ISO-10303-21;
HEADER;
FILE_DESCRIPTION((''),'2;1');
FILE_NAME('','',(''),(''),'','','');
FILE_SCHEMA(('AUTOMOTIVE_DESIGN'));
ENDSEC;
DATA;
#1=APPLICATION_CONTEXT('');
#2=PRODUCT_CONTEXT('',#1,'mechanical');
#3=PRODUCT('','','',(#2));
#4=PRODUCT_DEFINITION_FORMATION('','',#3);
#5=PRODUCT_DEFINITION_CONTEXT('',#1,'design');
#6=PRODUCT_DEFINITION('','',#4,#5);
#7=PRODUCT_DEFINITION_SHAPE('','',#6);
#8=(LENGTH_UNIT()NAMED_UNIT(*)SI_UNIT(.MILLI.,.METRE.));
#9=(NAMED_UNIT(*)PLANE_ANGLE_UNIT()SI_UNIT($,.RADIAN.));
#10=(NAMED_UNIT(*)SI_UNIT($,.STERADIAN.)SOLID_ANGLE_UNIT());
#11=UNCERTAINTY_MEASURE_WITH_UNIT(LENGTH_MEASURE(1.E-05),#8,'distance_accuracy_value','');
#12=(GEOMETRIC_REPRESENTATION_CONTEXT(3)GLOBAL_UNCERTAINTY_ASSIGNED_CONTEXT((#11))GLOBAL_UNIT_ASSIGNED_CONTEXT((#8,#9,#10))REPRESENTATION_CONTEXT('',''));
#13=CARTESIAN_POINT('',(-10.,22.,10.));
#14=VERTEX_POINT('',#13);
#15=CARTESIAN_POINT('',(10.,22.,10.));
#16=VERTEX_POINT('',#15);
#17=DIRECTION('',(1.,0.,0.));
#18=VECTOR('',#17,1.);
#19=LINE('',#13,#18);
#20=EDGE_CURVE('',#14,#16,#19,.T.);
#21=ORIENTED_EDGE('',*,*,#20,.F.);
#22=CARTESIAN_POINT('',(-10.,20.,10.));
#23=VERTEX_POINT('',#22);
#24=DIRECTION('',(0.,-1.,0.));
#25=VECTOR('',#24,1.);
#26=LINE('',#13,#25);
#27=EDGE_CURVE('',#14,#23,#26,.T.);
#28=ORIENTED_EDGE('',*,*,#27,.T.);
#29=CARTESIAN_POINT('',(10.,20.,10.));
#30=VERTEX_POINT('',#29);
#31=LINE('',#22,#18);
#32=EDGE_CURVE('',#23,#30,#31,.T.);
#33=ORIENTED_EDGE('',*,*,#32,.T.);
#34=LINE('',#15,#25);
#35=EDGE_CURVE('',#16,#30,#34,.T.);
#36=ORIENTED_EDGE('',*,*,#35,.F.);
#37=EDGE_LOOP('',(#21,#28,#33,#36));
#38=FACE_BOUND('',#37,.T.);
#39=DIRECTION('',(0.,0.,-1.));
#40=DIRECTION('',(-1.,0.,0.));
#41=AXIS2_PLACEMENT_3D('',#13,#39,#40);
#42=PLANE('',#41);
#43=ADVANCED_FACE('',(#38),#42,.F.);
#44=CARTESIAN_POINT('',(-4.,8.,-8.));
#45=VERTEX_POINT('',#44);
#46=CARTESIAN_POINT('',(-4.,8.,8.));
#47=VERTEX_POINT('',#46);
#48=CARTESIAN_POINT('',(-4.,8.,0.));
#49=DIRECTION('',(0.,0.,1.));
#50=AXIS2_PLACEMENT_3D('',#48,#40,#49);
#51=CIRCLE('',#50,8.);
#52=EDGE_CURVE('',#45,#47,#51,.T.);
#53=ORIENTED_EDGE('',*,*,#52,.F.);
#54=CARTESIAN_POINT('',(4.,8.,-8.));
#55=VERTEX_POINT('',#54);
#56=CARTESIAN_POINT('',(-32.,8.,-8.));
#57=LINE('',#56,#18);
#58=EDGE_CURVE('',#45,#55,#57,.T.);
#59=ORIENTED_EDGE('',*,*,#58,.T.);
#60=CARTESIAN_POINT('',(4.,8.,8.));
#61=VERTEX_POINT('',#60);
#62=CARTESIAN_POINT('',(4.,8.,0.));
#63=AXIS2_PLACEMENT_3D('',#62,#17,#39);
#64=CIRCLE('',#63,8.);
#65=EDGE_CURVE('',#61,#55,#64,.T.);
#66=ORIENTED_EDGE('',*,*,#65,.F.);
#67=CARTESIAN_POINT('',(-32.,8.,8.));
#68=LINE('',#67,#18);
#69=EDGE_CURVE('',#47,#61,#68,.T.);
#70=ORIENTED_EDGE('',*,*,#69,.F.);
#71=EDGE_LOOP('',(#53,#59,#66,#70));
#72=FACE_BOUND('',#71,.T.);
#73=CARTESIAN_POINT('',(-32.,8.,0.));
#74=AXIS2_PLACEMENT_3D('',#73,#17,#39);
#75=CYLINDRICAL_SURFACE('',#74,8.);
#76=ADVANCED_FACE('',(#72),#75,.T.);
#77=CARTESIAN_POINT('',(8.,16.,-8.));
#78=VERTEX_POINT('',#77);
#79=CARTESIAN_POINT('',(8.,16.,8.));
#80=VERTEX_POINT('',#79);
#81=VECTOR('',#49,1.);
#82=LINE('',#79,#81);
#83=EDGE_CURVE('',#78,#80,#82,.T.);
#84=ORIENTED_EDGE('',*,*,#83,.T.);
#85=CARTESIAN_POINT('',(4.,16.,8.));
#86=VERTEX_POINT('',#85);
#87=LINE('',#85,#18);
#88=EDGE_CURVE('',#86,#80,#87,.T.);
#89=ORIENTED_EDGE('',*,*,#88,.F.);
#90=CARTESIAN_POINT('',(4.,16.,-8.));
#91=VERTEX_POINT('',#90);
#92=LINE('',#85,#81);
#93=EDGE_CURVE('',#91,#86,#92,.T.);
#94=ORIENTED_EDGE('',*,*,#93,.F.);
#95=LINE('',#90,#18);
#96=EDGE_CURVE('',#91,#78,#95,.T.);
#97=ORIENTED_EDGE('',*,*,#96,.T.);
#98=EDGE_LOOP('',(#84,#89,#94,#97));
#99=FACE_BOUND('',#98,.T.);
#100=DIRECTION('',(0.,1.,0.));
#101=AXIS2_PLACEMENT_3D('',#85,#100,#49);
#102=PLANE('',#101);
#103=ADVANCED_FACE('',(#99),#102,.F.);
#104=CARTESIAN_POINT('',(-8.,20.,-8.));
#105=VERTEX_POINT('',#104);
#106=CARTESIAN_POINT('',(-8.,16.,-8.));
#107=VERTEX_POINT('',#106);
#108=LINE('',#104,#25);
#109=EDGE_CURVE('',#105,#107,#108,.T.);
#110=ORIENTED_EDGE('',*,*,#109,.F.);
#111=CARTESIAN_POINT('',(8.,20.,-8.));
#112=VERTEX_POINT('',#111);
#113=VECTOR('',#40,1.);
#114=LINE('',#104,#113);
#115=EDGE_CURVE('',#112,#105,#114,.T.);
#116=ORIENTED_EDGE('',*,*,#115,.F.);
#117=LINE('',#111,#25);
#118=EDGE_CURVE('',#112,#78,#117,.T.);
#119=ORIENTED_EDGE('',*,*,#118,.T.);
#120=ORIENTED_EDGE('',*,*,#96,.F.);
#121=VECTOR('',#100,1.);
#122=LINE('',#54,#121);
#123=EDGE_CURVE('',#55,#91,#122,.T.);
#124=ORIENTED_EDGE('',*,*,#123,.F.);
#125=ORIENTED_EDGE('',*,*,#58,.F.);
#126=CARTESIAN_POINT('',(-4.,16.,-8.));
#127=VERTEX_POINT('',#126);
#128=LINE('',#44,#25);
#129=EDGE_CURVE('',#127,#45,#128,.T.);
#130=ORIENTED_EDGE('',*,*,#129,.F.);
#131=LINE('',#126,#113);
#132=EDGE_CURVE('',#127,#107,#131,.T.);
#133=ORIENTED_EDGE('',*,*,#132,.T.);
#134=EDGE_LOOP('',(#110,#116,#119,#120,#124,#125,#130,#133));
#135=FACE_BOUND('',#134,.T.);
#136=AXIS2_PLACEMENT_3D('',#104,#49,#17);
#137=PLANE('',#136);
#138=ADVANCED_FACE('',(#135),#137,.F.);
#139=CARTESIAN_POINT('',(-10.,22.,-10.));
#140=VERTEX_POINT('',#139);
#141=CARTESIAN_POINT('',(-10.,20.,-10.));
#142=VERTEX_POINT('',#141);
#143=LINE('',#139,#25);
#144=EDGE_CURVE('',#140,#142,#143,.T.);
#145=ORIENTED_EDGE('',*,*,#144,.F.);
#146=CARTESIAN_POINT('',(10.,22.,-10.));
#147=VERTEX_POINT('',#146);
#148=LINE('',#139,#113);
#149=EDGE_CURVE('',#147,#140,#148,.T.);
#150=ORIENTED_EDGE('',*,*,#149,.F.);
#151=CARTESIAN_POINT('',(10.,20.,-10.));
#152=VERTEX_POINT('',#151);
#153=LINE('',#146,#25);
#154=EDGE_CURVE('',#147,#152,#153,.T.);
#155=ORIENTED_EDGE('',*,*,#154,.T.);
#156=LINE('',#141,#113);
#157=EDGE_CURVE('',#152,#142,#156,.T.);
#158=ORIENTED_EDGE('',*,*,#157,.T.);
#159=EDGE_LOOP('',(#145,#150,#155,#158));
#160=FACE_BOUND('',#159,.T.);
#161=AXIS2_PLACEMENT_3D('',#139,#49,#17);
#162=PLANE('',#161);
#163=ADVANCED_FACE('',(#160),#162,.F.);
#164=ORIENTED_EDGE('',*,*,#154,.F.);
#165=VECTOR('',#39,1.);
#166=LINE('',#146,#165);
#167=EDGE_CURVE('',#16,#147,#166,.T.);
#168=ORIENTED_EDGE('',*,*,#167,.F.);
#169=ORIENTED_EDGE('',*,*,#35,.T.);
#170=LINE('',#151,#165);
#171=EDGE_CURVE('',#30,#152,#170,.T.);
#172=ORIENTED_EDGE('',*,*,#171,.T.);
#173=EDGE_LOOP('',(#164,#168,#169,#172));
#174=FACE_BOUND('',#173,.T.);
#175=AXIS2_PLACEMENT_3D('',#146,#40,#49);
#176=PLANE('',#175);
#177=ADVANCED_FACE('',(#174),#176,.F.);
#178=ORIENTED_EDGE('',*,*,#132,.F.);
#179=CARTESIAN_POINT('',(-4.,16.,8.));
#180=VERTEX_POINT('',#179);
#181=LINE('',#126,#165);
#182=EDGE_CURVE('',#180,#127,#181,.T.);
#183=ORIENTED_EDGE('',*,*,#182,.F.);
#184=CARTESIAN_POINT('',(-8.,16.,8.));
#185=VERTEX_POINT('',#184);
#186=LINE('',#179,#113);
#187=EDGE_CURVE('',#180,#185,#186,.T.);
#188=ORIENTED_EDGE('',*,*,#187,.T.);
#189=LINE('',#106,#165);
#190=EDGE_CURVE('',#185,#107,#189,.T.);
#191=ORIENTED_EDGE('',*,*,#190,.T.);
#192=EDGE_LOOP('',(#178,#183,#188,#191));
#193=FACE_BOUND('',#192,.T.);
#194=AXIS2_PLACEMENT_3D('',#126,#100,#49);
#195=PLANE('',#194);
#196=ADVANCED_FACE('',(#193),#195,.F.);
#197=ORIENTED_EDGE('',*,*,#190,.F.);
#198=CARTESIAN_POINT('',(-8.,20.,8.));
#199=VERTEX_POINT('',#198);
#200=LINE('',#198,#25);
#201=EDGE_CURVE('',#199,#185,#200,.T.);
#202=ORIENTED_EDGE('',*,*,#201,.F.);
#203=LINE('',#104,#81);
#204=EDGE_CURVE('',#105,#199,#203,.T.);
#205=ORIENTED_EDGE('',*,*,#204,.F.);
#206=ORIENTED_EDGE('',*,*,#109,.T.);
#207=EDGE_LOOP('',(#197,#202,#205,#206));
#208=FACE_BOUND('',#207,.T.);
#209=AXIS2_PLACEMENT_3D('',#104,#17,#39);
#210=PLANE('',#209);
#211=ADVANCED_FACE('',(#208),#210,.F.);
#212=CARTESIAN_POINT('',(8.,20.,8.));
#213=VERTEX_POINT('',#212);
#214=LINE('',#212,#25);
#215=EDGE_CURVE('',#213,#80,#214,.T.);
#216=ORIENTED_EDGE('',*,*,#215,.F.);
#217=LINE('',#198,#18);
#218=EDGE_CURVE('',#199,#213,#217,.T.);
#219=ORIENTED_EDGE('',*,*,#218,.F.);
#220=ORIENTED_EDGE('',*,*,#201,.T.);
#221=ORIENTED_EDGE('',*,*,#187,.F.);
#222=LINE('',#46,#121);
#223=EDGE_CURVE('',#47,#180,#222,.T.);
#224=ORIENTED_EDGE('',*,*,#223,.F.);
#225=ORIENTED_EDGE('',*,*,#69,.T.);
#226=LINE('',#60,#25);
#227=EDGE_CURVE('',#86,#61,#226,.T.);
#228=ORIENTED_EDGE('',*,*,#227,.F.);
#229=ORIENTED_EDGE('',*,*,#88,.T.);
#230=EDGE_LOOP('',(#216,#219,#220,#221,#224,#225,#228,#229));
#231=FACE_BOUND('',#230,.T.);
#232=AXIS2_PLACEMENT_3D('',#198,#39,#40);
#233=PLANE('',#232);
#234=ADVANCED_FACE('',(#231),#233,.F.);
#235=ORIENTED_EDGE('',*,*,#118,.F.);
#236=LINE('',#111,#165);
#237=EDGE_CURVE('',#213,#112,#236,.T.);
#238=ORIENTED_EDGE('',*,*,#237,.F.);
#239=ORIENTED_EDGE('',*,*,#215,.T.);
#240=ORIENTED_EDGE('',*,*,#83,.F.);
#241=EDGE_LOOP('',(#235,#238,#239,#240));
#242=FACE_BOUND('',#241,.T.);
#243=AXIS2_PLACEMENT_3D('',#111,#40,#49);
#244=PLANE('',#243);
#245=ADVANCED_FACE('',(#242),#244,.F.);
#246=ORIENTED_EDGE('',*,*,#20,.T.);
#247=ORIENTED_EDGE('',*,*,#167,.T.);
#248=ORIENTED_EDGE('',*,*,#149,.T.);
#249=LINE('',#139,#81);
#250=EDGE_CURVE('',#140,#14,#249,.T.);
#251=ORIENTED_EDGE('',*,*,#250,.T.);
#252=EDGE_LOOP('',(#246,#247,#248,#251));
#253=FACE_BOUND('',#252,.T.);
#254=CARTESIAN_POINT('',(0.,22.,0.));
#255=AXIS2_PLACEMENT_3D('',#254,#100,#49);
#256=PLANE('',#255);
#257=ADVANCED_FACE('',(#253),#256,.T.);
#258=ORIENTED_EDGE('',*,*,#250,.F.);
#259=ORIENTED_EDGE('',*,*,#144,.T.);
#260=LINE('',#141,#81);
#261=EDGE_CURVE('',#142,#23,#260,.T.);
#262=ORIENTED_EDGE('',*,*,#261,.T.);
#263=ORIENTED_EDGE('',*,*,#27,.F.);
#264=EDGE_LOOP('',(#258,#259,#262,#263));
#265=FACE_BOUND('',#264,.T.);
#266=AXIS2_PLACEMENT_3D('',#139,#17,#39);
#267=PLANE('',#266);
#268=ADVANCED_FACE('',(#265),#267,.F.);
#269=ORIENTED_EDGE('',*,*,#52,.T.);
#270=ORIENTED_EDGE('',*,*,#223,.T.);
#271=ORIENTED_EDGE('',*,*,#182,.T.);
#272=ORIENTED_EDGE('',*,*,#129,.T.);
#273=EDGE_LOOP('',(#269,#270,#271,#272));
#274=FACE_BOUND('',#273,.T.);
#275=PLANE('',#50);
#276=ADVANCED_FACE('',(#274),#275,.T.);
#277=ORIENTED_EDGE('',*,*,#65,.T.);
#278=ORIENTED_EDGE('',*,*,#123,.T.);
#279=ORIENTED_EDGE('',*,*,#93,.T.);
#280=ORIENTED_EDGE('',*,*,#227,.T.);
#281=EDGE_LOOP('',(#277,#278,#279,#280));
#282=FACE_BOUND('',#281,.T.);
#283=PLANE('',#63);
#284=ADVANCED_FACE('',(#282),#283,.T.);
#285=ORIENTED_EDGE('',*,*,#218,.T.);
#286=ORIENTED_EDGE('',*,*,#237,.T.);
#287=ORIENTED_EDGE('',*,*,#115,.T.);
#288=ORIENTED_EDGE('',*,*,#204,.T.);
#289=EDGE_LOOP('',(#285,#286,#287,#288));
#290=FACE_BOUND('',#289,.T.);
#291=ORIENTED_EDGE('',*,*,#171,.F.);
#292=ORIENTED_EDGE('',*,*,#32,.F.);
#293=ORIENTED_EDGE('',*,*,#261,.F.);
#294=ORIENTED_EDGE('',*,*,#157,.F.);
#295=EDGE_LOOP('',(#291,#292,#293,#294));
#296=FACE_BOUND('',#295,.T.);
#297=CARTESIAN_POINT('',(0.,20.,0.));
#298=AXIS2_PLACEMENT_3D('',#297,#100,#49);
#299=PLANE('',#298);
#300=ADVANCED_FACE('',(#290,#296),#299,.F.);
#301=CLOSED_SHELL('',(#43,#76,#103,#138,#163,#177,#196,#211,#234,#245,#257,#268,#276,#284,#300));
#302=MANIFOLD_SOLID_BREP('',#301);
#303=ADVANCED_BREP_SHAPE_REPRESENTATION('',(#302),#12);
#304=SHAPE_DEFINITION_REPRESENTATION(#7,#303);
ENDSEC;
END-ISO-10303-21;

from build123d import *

# Parameters (mm, degrees)
SKETCH_1_W          = 16
SKETCH_1_H          = 16
EXTRUDE_1_DEPTH     = 20
CUT_EXTRUDE_1_DEPTH = 40
CUT_EXTRUDE_2_DEPTH = 4
CUT_EXTRUDE_3_DEPTH = 4
SKETCH_6_W          = 20
SKETCH_6_H          = 20
EXTRUDE_2_DEPTH     = 2


with BuildPart() as part:
    # 草图1 → 凸台-拉伸1 (new body)
    with BuildSketch(Plane(origin=(0, 0, 0), x_dir=(1, 0, 0), z_dir=(0, 1, 0))):
        Rectangle(SKETCH_1_W, SKETCH_1_H)
    extrude(amount=EXTRUDE_1_DEPTH)

    # 草图2 → 切除-拉伸1 (cut)
    with BuildSketch(Plane(origin=(8, 0, 0), x_dir=(0, 0, -1), z_dir=(1, 0, 0))):
        with BuildLine():
            Line((-8, 8), (-8, -6.748551072))
            Line((-8, -6.748551072), (8, -6.748551072))
            Line((8, -6.748551072), (8, 8))
            ThreePointArc((8, 8), (0, 0), (-8, 8))
        make_face()
    extrude(amount=-CUT_EXTRUDE_1_DEPTH, mode=Mode.SUBTRACT)

    # 草图4 → 切除-拉伸2 (cut)
    with BuildSketch(Plane.ZY.offset(8)):
        with BuildLine():
            Line((-8, 8), (-8, 16))
            Line((-8, 16), (8, 16))
            Line((8, 16), (8, 8))
            ThreePointArc((8, 8), (0, 0), (-8, 8))
        make_face()
    extrude(amount=-CUT_EXTRUDE_2_DEPTH, mode=Mode.SUBTRACT)

    # 草图5 → 切除-拉伸3 (cut)
    with BuildSketch(Plane(origin=(8, 0, 0), x_dir=(0, 0, -1), z_dir=(1, 0, 0))):
        with BuildLine():
            Line((-8, 8), (-8, 16))
            Line((-8, 16), (8, 16))
            Line((8, 16), (8, 8))
            ThreePointArc((8, 8), (0, 0), (-8, 8))
        make_face()
    extrude(amount=-CUT_EXTRUDE_3_DEPTH, mode=Mode.SUBTRACT)

    # 草图6 → 凸台-拉伸2 (add)
    with BuildSketch(Plane(origin=(0, 20, 0), x_dir=(1, 0, 0), z_dir=(0, 1, 0))):
        Rectangle(SKETCH_6_W, SKETCH_6_H)
    extrude(amount=EXTRUDE_2_DEPTH)


solid = part.part
